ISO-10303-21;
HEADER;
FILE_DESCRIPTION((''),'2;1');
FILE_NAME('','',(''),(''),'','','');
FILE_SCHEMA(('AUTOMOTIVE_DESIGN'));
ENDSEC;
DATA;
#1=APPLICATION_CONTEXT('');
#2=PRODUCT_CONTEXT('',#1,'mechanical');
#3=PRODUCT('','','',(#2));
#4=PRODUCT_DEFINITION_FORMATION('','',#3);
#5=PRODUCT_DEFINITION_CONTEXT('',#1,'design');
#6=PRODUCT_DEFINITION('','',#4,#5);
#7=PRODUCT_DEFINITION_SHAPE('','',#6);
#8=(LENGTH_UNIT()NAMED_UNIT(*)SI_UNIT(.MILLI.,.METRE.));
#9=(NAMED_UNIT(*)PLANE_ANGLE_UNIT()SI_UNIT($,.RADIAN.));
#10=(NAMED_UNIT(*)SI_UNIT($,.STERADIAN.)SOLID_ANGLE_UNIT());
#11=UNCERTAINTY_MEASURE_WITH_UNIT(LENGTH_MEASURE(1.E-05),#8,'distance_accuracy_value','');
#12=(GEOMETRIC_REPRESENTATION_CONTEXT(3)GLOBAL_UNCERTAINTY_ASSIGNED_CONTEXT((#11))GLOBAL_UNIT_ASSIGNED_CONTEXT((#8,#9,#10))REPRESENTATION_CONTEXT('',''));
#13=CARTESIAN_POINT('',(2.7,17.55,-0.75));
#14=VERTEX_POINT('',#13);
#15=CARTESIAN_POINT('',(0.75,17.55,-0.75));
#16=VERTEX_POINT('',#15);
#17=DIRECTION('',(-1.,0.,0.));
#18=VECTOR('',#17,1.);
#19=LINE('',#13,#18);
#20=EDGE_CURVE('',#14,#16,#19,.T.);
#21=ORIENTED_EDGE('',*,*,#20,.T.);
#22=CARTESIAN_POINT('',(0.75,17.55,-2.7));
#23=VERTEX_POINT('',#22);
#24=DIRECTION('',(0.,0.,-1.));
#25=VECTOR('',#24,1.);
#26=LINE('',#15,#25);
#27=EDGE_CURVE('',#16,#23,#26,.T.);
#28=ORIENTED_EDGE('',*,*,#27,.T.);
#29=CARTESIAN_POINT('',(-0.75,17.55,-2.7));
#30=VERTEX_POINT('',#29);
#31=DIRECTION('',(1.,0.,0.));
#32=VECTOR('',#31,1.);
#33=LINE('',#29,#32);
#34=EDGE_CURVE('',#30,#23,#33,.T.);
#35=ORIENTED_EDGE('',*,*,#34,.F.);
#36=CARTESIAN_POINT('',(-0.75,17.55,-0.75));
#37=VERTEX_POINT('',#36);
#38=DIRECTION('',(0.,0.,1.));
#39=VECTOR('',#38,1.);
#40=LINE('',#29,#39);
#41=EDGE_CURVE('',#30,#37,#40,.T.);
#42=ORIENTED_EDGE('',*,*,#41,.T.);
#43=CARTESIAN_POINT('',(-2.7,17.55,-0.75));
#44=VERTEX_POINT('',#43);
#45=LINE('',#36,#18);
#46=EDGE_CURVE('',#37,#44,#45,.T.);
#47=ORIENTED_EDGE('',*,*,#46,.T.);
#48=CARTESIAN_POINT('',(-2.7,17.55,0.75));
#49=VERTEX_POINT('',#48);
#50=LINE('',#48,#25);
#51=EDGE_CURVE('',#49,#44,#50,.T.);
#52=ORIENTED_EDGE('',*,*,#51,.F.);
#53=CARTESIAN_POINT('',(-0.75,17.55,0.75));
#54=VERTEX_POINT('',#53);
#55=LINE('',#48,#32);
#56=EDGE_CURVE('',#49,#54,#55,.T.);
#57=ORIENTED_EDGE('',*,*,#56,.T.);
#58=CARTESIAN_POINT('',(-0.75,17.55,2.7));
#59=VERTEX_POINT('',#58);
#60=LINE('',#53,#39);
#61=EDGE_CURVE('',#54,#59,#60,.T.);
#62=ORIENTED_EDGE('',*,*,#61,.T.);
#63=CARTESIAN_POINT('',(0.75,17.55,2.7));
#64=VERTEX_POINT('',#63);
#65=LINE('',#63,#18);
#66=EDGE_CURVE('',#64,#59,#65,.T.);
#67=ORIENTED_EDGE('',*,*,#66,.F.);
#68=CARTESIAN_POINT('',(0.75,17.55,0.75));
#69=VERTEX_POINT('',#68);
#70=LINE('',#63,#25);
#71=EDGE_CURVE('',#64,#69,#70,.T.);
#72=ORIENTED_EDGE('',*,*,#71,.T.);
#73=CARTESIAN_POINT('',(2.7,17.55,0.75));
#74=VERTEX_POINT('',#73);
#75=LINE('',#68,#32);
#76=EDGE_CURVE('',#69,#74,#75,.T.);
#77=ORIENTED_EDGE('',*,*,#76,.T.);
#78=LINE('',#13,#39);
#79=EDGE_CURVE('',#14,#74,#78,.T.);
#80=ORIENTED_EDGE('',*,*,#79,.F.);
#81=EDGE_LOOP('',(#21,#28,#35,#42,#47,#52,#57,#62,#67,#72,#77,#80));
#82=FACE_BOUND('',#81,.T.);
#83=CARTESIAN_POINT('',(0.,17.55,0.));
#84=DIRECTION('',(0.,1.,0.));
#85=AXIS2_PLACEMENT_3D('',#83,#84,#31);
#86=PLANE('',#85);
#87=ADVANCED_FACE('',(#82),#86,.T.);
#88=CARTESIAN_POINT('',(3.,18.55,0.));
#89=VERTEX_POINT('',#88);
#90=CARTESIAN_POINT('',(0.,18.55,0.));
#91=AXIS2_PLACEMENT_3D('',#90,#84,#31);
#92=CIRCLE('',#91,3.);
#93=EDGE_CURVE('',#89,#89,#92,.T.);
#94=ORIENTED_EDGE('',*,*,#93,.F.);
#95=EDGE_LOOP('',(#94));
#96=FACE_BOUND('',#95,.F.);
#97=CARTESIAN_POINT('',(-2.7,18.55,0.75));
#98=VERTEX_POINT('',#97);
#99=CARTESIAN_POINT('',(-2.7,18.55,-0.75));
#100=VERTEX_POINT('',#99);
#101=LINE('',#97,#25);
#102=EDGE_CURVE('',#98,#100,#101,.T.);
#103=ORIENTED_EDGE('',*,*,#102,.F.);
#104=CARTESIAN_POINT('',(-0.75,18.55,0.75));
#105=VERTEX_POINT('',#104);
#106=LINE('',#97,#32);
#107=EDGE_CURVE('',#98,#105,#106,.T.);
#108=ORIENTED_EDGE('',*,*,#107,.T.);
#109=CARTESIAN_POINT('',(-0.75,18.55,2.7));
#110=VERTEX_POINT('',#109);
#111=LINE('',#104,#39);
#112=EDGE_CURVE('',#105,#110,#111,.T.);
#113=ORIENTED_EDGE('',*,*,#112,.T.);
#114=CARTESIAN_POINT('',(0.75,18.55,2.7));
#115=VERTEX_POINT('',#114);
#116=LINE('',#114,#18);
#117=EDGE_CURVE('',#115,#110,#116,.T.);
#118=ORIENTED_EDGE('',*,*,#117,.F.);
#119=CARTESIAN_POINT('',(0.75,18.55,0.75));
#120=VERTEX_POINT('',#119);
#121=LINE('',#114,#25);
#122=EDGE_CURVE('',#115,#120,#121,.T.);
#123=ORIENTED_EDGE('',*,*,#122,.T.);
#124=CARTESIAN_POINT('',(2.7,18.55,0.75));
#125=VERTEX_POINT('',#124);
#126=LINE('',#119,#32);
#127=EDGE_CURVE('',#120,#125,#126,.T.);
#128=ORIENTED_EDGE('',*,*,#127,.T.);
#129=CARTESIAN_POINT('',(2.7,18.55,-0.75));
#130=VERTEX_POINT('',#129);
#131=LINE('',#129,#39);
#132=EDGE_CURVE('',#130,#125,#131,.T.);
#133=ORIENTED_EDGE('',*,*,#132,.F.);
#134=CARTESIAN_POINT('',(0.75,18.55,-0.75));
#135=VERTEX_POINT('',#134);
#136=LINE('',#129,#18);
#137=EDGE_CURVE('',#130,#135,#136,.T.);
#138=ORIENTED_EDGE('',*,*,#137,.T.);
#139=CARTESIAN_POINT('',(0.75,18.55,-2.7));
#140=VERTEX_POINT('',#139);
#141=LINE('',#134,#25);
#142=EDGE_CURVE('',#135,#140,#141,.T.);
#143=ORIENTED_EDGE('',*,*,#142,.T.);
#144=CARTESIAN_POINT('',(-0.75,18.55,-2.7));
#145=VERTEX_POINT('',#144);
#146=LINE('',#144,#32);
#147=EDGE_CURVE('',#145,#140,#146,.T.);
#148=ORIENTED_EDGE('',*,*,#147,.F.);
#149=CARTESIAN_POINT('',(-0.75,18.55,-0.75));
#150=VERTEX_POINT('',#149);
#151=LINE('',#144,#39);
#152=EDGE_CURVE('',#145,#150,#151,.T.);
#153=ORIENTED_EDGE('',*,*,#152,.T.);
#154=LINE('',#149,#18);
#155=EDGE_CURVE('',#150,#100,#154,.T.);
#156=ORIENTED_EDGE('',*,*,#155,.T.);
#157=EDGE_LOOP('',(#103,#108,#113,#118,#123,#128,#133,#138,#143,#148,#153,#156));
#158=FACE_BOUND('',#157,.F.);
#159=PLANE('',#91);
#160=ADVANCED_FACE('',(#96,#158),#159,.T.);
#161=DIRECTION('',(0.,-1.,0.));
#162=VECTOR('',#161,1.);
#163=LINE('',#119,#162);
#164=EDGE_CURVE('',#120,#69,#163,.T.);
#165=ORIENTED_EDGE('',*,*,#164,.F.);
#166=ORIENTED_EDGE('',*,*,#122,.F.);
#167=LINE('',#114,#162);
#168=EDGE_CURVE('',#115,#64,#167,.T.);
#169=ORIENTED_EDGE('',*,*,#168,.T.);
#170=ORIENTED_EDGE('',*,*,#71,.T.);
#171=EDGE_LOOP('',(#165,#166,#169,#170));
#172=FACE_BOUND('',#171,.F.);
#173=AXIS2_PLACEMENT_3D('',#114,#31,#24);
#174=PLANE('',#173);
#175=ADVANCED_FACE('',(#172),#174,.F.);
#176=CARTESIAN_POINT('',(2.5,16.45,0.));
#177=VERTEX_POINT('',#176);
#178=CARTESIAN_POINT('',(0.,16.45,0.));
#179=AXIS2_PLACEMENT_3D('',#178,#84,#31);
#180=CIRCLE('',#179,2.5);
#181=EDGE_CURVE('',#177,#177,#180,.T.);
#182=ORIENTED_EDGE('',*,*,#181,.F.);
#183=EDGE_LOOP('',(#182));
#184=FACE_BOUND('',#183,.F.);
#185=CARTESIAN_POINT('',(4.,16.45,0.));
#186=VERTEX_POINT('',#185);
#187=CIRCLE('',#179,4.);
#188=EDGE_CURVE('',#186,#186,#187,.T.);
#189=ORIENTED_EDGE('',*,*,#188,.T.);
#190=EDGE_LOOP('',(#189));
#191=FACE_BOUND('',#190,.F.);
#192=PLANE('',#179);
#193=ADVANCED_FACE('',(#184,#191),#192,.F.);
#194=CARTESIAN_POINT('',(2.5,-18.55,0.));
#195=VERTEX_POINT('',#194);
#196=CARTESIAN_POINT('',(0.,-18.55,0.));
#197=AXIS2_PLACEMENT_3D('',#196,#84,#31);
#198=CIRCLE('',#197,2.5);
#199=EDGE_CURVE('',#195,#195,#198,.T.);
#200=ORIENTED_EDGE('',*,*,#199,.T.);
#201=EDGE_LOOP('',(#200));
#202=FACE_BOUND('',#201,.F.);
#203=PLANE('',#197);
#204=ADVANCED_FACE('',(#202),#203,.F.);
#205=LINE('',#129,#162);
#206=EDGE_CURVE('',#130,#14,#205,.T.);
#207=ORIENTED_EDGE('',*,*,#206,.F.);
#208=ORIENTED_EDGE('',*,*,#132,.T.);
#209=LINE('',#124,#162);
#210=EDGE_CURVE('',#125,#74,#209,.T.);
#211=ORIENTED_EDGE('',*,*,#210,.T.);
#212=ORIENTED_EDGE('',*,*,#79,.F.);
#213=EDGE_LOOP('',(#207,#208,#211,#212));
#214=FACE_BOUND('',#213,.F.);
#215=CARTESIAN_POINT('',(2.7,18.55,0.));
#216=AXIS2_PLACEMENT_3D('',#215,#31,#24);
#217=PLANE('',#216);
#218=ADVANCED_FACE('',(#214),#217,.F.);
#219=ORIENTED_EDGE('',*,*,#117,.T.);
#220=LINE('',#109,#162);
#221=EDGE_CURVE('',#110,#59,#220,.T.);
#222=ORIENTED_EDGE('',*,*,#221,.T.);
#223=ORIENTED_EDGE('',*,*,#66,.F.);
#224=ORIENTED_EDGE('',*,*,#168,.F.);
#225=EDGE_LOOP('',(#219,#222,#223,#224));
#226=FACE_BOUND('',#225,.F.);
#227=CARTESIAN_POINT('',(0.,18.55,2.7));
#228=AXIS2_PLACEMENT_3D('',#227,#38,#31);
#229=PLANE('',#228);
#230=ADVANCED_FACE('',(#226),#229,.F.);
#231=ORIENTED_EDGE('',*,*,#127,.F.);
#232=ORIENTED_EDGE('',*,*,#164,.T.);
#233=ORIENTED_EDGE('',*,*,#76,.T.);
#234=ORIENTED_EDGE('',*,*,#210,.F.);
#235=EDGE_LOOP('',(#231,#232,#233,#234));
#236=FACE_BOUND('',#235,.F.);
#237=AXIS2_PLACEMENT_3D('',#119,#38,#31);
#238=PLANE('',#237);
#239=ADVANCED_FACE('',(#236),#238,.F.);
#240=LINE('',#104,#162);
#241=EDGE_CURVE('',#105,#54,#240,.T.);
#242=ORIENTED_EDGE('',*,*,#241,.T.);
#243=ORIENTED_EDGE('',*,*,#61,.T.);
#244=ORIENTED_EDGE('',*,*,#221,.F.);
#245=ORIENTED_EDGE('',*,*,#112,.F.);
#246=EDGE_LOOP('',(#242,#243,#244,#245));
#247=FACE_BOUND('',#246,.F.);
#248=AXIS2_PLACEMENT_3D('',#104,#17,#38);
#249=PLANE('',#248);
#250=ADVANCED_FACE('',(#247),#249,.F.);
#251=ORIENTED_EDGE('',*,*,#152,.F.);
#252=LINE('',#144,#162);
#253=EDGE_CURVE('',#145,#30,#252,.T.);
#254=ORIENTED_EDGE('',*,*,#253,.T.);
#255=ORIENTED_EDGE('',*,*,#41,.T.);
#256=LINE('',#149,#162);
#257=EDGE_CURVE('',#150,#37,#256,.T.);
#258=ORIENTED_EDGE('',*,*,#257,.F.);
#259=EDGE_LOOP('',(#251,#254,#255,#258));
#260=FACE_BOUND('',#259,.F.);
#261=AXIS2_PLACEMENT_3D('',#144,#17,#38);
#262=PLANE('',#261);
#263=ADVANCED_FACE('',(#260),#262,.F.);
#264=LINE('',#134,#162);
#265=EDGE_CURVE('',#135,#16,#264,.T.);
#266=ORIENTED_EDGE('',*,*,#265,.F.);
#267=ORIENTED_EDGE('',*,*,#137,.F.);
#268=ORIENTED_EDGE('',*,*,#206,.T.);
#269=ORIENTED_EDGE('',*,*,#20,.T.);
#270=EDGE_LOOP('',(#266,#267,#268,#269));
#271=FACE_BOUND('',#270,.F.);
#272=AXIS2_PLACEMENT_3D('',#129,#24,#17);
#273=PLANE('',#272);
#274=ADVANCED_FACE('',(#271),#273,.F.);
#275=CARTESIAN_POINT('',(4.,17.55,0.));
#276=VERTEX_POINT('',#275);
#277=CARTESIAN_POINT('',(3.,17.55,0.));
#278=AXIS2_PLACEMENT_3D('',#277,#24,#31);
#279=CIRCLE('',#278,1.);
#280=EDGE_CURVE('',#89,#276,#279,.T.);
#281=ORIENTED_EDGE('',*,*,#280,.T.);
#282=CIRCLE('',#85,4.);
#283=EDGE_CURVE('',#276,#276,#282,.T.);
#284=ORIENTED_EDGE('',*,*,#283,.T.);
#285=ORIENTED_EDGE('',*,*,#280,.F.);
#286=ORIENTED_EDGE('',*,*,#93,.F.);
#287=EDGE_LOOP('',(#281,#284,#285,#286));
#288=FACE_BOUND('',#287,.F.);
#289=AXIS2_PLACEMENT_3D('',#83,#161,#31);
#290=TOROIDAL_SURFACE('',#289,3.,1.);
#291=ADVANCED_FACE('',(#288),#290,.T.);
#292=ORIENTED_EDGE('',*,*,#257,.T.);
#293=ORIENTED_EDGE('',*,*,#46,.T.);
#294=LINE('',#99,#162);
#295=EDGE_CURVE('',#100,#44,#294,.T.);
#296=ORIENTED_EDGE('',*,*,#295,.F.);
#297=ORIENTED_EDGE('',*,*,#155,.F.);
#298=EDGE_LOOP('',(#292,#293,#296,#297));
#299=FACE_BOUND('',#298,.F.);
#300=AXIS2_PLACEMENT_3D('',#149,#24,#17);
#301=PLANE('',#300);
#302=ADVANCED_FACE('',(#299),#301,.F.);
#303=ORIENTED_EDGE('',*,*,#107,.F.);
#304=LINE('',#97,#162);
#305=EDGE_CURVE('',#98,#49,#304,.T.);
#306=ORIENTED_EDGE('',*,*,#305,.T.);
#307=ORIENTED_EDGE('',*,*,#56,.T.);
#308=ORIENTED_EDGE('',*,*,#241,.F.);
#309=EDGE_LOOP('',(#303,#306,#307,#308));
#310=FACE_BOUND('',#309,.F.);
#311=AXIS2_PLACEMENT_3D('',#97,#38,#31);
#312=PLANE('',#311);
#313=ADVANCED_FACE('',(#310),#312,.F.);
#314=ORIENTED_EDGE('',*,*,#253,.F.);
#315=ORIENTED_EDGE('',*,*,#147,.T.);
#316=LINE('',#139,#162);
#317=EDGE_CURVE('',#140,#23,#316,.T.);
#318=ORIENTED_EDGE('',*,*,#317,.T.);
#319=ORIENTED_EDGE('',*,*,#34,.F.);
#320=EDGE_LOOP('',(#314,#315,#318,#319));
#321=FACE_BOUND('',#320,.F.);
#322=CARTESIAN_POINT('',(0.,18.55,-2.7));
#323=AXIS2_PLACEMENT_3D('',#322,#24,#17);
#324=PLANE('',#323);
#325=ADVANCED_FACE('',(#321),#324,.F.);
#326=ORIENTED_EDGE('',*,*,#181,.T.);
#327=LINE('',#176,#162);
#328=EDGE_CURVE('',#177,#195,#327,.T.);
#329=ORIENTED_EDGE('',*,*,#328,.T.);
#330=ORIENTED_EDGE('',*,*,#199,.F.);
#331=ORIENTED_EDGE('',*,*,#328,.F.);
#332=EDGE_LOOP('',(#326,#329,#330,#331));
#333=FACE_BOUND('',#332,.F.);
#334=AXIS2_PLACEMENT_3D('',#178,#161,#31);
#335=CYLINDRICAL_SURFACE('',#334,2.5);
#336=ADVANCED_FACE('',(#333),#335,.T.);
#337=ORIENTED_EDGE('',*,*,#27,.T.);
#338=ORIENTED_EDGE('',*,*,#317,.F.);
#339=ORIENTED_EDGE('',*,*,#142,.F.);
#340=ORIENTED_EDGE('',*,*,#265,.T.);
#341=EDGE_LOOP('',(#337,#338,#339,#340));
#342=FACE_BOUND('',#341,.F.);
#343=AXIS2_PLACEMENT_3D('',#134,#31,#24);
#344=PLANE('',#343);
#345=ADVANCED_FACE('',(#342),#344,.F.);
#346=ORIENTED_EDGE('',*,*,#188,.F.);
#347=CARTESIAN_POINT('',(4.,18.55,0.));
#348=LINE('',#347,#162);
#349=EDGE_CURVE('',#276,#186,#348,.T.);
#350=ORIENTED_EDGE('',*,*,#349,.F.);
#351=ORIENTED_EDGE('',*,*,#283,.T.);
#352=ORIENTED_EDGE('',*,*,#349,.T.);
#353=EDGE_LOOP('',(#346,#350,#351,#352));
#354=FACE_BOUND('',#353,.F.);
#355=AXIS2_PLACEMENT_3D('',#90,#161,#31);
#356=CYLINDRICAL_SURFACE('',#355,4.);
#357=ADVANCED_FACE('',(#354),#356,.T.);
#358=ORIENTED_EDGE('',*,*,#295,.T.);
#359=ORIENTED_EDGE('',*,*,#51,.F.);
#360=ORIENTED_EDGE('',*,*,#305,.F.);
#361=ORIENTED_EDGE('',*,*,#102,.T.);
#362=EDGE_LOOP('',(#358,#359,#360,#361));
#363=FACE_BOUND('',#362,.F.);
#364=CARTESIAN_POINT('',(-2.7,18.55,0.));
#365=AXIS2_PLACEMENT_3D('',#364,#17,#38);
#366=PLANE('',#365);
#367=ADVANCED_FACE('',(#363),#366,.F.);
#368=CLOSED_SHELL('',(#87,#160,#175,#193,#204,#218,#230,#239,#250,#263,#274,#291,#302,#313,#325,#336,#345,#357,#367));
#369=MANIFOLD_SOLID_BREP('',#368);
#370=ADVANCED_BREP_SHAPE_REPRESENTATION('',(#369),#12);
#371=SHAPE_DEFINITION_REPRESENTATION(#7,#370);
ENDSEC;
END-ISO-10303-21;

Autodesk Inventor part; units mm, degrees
ref_plane "YZ Plane" through (0, 0, 0) normal (1, 0, 0) x (0, 1, 0)
ref_plane "XZ Plane" through (0, 0, 0) normal (0, 1, 0) x (-1, 0, 0)
ref_plane "XY Plane" through (0, 0, 0) normal (0, 0, 1) x (1, 0, 0)
sketch "Sketch1" plane through (0, 0, 0) normal (0, 0, 1) x (1, 0, 0)
  line L0 (2.5, 16.45) -> (2.5, -18.55)
  line L1 (2.5, -18.55) -> (0, -18.55)
  line L2 (0, -18.55) -> (0, 18.55)
  line L3 (0, 18.55) -> (4, 18.55)
  line L4 (4, 18.55) -> (4, 16.45)
  line L5 (4, 16.45) -> (2.5, 16.45)
  point P0 (0, 0)
  point P1 (0, 0)
  dimension "d0" = 2.5
  dimension "d1" = 35
  dimension "d2" = 2.1
  dimension "d3" = 4
revolve "Revolution1" add sketch "Sketch1" angle 360 about axis through (0, -18.55, 0) along (0, 1, 0)
fillet "Fillet1" radius 1 1 edges at (-4, 18.55, 0)
sketch "Sketch2" plane through (0, 18.55, 0) normal (0, 1, 0) x (1, 0, 0)
  line L0 (-2.7, 0) -> (-2.7, -0.75)
  line L1 (-2.7, -0.75) -> (-0.75, -0.75)
  line L2 (-0.75, -0.75) -> (-0.75, -2.7)
  line L3 (-0.75, -2.7) -> (0, -2.7)
  line L4 (2.7, -0.75) -> (2.7, 0)
  line L5 (0.75, -2.7) -> (0.75, -0.75)
  line L6 (0, -2.7) -> (0.75, -2.7)
  line L7 (0.75, -0.75) -> (2.7, -0.75)
  line L8 (0.75, 2.7) -> (0, 2.7)
  line L9 (2.7, 0.75) -> (0.75, 0.75)
  line L10 (2.7, 0) -> (2.7, 0.75)
  line L11 (0.75, 0.75) -> (0.75, 2.7)
  line L12 (-2.7, 0.75) -> (-2.7, 0)
  line L13 (-0.75, 2.7) -> (-0.75, 0.75)
  line L14 (0, 2.7) -> (-0.75, 2.7)
  line L15 (-0.75, 0.75) -> (-2.7, 0.75)
  line L16 (-0.75, -2.7) -> (0.75, -2.7)
  line L17 (2.7, -0.75) -> (2.7, 0.75)
  line L18 (-0.75, 2.7) -> (0.75, 2.7)
  line L19 (-2.7, -0.75) -> (-2.7, 0.75)
  point P0 (0, 0)
  dimension "d6" = 0.75
  dimension "d7" = 0.75
  dimension "d8" = 2.7
  dimension "d9" = 2.7
  dimension "d12" = 360
extrude "Extrusion1" cut sketch "Sketch2" against normal blind 1
thread "Thread1" size "M5x0.8" class "6g" standard "ANSI Metric M Profile" full length
equation "\"d9\" = d8"
properties part number "M5x35mm-crosshead"
